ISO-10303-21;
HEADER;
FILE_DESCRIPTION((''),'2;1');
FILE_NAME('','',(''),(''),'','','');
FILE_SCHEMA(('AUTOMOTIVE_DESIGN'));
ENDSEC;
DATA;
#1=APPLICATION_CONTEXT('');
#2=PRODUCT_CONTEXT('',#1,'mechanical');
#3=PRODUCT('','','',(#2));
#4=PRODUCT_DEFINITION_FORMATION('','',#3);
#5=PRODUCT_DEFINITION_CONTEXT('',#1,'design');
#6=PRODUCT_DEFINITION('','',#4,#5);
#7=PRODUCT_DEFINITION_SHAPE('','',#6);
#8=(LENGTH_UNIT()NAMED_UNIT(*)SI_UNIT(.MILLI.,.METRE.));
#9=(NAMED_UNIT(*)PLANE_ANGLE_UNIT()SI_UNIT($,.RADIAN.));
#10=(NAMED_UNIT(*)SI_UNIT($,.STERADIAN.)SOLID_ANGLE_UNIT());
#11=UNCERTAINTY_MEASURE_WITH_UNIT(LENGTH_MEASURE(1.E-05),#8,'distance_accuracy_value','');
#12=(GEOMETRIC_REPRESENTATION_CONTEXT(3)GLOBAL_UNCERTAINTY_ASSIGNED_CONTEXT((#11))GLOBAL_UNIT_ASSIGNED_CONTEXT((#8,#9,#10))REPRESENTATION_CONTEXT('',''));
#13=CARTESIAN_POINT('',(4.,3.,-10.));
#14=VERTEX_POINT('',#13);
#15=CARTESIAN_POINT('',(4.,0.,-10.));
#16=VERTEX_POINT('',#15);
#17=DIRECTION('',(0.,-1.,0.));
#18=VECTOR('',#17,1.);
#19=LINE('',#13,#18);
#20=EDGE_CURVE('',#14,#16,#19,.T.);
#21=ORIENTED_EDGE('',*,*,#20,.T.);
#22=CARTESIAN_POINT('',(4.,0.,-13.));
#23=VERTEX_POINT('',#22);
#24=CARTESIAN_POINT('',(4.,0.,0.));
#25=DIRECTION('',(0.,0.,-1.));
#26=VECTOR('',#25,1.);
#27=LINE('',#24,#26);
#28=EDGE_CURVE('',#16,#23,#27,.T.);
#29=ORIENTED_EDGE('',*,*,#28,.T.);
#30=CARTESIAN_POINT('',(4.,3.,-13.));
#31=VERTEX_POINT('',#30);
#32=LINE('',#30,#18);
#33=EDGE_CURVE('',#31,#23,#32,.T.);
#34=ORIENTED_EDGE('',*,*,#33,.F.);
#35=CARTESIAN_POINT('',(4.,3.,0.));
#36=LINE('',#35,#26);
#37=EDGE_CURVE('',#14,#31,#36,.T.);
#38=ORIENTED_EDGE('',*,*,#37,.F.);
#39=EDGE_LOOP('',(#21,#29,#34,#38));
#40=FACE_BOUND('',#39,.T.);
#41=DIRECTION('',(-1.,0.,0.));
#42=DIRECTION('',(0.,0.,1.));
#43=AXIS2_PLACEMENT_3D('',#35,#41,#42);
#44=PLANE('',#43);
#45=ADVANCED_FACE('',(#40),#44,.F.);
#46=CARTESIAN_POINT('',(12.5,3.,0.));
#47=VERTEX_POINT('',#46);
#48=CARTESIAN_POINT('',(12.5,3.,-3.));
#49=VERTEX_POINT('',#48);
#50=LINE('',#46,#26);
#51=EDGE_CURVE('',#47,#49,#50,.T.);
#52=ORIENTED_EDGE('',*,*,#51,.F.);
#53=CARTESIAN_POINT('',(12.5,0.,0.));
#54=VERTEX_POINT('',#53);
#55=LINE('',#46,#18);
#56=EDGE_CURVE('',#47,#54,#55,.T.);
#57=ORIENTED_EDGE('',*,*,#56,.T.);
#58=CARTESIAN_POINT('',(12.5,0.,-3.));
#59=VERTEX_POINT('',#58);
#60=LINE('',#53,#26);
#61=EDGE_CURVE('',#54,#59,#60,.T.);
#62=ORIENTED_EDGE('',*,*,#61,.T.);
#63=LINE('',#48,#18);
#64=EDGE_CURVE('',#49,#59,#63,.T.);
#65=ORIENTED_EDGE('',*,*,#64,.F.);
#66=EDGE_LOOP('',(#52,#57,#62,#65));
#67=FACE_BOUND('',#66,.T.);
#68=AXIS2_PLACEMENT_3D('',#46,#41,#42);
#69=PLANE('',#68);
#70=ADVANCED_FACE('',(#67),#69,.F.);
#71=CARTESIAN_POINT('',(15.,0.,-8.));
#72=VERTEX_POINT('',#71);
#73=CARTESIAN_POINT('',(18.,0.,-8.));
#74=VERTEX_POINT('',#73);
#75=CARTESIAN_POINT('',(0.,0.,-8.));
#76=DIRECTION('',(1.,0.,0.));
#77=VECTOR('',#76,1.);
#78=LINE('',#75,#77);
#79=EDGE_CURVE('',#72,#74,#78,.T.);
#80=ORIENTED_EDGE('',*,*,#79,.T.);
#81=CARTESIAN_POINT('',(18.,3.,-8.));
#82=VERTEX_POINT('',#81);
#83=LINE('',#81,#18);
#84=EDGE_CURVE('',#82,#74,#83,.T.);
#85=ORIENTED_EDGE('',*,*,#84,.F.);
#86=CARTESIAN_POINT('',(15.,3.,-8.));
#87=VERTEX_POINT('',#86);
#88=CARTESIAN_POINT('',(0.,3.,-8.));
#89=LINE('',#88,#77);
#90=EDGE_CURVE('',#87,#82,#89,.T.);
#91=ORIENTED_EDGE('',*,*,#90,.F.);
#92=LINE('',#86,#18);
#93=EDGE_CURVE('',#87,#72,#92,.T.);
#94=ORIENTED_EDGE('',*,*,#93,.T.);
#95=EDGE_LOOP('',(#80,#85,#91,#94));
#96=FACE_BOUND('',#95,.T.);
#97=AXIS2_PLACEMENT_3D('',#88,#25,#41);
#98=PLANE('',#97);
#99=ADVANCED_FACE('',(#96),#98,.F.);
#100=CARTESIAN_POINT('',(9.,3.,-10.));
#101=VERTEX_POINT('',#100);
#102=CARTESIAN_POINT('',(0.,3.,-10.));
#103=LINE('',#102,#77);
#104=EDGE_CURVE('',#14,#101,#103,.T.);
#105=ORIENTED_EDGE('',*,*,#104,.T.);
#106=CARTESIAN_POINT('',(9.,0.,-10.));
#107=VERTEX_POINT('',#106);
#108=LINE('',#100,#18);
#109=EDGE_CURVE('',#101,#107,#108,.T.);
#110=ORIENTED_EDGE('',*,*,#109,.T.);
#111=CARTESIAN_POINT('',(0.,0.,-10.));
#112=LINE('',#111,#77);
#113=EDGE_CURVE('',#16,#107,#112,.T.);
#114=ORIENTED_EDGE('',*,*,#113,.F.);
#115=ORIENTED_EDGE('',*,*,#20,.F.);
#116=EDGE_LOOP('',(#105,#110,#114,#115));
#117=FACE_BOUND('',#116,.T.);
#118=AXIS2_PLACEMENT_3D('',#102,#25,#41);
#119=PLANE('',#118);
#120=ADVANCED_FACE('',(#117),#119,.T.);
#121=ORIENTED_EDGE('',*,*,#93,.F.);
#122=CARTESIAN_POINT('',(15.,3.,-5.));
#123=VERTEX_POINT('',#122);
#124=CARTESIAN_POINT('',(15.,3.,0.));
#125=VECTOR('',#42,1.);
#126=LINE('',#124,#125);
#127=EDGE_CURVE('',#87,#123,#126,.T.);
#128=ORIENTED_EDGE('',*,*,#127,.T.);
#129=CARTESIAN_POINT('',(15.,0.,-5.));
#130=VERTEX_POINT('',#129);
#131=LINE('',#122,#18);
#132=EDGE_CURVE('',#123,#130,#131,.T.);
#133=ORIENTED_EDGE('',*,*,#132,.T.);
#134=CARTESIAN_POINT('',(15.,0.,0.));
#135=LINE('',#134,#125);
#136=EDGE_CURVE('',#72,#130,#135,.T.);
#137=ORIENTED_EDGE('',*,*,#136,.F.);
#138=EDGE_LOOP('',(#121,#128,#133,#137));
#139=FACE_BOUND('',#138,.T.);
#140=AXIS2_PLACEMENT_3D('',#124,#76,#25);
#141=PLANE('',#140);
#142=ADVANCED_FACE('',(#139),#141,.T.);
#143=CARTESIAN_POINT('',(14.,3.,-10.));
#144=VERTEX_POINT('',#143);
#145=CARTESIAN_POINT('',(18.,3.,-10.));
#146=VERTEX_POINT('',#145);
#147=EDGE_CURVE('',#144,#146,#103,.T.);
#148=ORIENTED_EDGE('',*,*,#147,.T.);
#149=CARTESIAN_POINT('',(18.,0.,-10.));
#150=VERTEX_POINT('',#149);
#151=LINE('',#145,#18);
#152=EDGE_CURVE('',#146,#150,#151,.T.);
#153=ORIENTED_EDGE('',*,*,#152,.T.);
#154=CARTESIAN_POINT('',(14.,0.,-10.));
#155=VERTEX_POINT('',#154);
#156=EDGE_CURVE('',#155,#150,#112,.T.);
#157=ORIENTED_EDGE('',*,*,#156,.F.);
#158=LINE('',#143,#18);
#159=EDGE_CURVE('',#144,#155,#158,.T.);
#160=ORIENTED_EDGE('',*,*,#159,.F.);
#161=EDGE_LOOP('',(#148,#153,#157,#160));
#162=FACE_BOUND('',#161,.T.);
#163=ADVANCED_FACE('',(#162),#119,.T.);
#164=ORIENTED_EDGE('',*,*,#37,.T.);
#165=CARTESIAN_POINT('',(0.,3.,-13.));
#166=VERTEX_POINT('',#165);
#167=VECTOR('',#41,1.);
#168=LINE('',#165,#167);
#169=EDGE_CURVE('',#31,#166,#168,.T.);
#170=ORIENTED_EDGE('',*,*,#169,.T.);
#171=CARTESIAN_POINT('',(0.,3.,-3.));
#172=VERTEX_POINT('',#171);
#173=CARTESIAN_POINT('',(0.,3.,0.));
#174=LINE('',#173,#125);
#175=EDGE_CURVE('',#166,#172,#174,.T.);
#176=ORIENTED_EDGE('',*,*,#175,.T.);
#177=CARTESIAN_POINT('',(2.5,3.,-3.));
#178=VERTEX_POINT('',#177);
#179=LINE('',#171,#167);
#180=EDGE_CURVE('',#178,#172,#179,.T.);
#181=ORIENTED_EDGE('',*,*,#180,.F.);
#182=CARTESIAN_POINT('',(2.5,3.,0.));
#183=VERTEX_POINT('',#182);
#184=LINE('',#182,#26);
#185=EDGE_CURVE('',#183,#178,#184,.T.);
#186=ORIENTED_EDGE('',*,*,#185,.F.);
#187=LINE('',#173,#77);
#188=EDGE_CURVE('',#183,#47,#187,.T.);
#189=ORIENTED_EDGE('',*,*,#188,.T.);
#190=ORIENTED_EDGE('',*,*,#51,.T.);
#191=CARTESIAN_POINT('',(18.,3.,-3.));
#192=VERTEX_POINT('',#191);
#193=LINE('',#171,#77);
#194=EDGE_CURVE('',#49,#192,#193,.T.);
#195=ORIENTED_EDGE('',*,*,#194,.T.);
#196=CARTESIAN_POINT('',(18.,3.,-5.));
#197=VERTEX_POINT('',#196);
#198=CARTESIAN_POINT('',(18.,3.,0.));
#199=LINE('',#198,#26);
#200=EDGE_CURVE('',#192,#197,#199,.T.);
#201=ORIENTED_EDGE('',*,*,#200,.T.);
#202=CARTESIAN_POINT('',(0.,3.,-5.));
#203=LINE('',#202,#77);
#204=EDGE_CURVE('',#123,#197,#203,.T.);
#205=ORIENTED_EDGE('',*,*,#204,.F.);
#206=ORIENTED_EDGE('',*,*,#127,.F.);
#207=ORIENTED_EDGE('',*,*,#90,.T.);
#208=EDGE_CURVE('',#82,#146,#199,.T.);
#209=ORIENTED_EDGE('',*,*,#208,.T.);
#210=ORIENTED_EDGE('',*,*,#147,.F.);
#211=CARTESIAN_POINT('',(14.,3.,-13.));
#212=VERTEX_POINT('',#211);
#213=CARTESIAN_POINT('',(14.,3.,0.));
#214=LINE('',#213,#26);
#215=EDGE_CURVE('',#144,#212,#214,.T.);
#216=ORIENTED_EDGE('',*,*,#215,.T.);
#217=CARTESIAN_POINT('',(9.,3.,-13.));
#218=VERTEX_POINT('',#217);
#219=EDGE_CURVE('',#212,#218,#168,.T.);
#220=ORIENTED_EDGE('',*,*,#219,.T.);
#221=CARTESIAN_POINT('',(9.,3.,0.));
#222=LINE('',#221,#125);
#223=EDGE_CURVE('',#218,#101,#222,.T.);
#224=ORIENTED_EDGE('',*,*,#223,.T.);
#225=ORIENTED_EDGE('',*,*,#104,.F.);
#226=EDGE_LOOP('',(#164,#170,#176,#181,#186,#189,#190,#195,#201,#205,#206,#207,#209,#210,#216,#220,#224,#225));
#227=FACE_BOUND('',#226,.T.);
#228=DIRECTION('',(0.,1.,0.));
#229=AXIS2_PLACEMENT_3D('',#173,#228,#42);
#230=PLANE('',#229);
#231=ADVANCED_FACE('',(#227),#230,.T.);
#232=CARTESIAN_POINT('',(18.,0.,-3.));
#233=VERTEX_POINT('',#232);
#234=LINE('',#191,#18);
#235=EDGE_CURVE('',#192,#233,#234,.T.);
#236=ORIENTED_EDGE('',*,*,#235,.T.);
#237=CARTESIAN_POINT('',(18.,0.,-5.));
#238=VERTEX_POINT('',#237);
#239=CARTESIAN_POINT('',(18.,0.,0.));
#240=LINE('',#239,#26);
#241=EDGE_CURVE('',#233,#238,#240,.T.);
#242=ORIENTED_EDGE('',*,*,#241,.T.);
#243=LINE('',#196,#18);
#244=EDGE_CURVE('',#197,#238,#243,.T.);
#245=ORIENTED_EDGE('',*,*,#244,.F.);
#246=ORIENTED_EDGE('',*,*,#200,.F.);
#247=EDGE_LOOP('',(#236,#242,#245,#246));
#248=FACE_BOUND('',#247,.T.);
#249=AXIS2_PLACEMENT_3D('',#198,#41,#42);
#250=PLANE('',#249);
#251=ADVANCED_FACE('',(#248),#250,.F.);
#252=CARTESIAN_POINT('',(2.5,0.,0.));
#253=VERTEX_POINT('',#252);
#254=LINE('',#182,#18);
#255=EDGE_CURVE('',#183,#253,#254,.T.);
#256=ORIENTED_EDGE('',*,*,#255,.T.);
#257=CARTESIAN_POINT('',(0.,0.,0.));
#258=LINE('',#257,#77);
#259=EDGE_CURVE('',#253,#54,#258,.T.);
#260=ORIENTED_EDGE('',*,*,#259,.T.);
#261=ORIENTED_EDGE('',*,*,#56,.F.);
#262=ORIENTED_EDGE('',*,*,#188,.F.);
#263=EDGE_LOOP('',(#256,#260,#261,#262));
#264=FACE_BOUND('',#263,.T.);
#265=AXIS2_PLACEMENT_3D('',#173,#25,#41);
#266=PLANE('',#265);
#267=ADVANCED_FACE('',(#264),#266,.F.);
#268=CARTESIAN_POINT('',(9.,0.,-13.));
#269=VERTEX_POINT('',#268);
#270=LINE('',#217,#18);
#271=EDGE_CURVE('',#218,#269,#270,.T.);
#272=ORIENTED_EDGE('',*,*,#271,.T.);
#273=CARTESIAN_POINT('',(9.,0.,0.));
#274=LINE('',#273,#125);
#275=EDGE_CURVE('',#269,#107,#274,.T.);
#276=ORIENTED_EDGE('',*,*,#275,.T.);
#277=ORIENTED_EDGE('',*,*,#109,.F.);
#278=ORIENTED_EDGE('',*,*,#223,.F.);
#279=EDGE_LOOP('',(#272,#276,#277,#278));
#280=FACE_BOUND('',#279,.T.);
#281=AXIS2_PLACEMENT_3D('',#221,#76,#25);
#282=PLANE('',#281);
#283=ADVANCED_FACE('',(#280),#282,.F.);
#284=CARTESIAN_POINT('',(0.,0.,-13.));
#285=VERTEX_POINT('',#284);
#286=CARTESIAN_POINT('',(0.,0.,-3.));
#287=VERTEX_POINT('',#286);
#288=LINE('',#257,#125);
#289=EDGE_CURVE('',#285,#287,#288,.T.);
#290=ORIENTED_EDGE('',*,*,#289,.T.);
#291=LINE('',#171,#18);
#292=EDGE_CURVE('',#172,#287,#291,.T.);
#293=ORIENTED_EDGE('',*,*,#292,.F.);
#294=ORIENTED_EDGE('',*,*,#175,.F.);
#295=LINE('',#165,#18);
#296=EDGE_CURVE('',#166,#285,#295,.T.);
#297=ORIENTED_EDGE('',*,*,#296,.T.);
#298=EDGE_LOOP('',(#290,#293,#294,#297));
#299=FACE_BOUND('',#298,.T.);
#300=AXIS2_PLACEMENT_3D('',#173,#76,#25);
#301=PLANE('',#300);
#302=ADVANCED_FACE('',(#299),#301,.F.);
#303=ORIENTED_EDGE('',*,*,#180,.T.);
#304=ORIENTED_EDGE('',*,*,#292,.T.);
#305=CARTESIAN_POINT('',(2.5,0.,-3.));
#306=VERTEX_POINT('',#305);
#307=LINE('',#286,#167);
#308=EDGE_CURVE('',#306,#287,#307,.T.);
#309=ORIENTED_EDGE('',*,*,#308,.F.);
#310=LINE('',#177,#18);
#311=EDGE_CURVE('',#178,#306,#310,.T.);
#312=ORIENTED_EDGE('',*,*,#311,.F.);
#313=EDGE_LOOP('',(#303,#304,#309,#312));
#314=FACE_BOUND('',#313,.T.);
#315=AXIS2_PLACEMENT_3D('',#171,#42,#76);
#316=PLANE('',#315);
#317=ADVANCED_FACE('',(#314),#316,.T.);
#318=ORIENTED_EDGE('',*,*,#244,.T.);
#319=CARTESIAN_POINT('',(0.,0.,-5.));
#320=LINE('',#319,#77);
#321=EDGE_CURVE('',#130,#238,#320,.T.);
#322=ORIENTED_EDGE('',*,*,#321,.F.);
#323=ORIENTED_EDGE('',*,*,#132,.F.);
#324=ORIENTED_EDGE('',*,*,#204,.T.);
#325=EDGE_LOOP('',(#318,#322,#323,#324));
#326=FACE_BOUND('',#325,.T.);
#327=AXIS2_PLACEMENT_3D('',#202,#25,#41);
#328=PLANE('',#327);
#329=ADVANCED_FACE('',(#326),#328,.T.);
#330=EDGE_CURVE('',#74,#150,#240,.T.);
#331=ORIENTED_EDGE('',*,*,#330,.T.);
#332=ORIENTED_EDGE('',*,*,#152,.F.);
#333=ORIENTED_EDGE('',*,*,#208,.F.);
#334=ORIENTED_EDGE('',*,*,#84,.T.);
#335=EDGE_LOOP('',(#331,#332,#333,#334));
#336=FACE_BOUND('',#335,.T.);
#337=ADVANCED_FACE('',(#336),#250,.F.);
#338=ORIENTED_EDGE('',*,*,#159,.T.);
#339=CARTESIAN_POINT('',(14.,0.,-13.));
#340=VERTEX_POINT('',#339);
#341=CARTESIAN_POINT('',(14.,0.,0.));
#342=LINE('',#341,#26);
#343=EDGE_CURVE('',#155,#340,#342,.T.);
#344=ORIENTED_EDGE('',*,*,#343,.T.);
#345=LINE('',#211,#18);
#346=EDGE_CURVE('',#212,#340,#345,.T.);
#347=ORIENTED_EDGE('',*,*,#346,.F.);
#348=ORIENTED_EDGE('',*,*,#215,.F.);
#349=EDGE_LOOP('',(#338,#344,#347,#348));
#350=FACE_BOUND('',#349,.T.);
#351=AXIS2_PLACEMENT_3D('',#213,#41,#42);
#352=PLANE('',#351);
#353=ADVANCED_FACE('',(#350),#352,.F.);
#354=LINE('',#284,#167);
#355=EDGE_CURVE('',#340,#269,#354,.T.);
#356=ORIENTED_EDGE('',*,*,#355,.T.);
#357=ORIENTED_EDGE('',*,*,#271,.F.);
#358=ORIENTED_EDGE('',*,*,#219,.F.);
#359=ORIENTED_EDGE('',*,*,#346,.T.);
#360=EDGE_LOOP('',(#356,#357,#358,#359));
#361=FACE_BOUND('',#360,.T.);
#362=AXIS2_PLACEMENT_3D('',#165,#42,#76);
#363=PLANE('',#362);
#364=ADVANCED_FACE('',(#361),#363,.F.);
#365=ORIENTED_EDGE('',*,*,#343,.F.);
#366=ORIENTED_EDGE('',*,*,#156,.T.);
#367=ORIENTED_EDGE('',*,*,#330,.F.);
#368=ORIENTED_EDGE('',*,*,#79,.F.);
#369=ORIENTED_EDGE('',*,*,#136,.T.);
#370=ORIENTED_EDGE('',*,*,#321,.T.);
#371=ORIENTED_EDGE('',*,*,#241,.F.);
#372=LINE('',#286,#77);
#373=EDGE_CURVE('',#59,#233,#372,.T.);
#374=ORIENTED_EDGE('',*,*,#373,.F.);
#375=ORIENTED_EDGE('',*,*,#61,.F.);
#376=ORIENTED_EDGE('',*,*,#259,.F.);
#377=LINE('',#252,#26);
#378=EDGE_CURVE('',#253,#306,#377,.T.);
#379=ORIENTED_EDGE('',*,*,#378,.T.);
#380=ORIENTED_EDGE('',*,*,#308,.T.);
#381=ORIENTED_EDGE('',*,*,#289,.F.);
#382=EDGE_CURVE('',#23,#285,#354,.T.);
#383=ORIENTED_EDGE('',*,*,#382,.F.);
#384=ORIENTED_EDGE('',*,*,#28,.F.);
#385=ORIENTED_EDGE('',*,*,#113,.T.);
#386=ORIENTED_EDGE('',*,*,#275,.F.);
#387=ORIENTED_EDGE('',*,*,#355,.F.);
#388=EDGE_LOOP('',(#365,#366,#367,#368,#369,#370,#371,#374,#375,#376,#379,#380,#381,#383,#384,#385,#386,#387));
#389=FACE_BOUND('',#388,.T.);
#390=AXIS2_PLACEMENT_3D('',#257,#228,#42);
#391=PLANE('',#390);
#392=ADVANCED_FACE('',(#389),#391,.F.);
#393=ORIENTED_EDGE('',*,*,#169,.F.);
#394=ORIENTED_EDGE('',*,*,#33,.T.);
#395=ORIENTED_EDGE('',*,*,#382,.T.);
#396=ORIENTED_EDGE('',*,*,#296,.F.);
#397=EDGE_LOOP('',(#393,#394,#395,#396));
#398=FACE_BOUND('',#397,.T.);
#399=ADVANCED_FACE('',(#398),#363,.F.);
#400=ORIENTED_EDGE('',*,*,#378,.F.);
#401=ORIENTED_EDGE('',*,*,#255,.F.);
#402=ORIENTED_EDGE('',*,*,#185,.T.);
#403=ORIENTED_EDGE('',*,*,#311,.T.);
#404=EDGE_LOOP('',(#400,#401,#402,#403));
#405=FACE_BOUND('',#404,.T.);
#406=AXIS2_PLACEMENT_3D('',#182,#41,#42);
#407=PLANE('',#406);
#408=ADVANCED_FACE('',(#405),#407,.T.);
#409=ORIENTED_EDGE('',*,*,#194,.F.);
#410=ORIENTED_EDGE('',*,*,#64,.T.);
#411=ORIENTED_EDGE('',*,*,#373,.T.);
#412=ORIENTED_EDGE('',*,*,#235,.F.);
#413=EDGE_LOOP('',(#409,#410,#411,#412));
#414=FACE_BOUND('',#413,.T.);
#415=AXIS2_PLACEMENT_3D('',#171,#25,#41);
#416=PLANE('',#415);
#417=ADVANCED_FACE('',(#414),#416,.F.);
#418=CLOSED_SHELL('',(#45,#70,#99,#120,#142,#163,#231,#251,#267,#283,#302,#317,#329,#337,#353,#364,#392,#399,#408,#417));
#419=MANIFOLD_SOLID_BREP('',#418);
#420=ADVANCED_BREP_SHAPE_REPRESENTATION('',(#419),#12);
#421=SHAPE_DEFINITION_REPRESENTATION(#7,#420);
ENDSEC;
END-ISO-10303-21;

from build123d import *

# Parameters (mm, degrees)
CROQUIS1_W              = 5
CROQUIS1_H              = 3
SALIENTE_EXTRUIR1_DEPTH = 3


with BuildPart() as part:
    # Croquis1 → Saliente-Extruir1 (new body)
    with BuildSketch(Plane(origin=(0, 0, 0), x_dir=(1, 0, 0), z_dir=(0, 1, 0))):
        Polygon((4, 10), (4, 13), (0, 13), (0, 3), (2.5, 3), (2.5, 0), (12.5, 0), (12.5, 3), (18, 3), (18, 5), (15, 5), (15, 6.5), (15, 8), (18, 8), (18, 10), (14, 10), (9, 10), align=None)
        with Locations((11.5, 11.5)):
            Rectangle(CROQUIS1_W, CROQUIS1_H)
    extrude(amount=SALIENTE_EXTRUIR1_DEPTH)


solid = part.part
